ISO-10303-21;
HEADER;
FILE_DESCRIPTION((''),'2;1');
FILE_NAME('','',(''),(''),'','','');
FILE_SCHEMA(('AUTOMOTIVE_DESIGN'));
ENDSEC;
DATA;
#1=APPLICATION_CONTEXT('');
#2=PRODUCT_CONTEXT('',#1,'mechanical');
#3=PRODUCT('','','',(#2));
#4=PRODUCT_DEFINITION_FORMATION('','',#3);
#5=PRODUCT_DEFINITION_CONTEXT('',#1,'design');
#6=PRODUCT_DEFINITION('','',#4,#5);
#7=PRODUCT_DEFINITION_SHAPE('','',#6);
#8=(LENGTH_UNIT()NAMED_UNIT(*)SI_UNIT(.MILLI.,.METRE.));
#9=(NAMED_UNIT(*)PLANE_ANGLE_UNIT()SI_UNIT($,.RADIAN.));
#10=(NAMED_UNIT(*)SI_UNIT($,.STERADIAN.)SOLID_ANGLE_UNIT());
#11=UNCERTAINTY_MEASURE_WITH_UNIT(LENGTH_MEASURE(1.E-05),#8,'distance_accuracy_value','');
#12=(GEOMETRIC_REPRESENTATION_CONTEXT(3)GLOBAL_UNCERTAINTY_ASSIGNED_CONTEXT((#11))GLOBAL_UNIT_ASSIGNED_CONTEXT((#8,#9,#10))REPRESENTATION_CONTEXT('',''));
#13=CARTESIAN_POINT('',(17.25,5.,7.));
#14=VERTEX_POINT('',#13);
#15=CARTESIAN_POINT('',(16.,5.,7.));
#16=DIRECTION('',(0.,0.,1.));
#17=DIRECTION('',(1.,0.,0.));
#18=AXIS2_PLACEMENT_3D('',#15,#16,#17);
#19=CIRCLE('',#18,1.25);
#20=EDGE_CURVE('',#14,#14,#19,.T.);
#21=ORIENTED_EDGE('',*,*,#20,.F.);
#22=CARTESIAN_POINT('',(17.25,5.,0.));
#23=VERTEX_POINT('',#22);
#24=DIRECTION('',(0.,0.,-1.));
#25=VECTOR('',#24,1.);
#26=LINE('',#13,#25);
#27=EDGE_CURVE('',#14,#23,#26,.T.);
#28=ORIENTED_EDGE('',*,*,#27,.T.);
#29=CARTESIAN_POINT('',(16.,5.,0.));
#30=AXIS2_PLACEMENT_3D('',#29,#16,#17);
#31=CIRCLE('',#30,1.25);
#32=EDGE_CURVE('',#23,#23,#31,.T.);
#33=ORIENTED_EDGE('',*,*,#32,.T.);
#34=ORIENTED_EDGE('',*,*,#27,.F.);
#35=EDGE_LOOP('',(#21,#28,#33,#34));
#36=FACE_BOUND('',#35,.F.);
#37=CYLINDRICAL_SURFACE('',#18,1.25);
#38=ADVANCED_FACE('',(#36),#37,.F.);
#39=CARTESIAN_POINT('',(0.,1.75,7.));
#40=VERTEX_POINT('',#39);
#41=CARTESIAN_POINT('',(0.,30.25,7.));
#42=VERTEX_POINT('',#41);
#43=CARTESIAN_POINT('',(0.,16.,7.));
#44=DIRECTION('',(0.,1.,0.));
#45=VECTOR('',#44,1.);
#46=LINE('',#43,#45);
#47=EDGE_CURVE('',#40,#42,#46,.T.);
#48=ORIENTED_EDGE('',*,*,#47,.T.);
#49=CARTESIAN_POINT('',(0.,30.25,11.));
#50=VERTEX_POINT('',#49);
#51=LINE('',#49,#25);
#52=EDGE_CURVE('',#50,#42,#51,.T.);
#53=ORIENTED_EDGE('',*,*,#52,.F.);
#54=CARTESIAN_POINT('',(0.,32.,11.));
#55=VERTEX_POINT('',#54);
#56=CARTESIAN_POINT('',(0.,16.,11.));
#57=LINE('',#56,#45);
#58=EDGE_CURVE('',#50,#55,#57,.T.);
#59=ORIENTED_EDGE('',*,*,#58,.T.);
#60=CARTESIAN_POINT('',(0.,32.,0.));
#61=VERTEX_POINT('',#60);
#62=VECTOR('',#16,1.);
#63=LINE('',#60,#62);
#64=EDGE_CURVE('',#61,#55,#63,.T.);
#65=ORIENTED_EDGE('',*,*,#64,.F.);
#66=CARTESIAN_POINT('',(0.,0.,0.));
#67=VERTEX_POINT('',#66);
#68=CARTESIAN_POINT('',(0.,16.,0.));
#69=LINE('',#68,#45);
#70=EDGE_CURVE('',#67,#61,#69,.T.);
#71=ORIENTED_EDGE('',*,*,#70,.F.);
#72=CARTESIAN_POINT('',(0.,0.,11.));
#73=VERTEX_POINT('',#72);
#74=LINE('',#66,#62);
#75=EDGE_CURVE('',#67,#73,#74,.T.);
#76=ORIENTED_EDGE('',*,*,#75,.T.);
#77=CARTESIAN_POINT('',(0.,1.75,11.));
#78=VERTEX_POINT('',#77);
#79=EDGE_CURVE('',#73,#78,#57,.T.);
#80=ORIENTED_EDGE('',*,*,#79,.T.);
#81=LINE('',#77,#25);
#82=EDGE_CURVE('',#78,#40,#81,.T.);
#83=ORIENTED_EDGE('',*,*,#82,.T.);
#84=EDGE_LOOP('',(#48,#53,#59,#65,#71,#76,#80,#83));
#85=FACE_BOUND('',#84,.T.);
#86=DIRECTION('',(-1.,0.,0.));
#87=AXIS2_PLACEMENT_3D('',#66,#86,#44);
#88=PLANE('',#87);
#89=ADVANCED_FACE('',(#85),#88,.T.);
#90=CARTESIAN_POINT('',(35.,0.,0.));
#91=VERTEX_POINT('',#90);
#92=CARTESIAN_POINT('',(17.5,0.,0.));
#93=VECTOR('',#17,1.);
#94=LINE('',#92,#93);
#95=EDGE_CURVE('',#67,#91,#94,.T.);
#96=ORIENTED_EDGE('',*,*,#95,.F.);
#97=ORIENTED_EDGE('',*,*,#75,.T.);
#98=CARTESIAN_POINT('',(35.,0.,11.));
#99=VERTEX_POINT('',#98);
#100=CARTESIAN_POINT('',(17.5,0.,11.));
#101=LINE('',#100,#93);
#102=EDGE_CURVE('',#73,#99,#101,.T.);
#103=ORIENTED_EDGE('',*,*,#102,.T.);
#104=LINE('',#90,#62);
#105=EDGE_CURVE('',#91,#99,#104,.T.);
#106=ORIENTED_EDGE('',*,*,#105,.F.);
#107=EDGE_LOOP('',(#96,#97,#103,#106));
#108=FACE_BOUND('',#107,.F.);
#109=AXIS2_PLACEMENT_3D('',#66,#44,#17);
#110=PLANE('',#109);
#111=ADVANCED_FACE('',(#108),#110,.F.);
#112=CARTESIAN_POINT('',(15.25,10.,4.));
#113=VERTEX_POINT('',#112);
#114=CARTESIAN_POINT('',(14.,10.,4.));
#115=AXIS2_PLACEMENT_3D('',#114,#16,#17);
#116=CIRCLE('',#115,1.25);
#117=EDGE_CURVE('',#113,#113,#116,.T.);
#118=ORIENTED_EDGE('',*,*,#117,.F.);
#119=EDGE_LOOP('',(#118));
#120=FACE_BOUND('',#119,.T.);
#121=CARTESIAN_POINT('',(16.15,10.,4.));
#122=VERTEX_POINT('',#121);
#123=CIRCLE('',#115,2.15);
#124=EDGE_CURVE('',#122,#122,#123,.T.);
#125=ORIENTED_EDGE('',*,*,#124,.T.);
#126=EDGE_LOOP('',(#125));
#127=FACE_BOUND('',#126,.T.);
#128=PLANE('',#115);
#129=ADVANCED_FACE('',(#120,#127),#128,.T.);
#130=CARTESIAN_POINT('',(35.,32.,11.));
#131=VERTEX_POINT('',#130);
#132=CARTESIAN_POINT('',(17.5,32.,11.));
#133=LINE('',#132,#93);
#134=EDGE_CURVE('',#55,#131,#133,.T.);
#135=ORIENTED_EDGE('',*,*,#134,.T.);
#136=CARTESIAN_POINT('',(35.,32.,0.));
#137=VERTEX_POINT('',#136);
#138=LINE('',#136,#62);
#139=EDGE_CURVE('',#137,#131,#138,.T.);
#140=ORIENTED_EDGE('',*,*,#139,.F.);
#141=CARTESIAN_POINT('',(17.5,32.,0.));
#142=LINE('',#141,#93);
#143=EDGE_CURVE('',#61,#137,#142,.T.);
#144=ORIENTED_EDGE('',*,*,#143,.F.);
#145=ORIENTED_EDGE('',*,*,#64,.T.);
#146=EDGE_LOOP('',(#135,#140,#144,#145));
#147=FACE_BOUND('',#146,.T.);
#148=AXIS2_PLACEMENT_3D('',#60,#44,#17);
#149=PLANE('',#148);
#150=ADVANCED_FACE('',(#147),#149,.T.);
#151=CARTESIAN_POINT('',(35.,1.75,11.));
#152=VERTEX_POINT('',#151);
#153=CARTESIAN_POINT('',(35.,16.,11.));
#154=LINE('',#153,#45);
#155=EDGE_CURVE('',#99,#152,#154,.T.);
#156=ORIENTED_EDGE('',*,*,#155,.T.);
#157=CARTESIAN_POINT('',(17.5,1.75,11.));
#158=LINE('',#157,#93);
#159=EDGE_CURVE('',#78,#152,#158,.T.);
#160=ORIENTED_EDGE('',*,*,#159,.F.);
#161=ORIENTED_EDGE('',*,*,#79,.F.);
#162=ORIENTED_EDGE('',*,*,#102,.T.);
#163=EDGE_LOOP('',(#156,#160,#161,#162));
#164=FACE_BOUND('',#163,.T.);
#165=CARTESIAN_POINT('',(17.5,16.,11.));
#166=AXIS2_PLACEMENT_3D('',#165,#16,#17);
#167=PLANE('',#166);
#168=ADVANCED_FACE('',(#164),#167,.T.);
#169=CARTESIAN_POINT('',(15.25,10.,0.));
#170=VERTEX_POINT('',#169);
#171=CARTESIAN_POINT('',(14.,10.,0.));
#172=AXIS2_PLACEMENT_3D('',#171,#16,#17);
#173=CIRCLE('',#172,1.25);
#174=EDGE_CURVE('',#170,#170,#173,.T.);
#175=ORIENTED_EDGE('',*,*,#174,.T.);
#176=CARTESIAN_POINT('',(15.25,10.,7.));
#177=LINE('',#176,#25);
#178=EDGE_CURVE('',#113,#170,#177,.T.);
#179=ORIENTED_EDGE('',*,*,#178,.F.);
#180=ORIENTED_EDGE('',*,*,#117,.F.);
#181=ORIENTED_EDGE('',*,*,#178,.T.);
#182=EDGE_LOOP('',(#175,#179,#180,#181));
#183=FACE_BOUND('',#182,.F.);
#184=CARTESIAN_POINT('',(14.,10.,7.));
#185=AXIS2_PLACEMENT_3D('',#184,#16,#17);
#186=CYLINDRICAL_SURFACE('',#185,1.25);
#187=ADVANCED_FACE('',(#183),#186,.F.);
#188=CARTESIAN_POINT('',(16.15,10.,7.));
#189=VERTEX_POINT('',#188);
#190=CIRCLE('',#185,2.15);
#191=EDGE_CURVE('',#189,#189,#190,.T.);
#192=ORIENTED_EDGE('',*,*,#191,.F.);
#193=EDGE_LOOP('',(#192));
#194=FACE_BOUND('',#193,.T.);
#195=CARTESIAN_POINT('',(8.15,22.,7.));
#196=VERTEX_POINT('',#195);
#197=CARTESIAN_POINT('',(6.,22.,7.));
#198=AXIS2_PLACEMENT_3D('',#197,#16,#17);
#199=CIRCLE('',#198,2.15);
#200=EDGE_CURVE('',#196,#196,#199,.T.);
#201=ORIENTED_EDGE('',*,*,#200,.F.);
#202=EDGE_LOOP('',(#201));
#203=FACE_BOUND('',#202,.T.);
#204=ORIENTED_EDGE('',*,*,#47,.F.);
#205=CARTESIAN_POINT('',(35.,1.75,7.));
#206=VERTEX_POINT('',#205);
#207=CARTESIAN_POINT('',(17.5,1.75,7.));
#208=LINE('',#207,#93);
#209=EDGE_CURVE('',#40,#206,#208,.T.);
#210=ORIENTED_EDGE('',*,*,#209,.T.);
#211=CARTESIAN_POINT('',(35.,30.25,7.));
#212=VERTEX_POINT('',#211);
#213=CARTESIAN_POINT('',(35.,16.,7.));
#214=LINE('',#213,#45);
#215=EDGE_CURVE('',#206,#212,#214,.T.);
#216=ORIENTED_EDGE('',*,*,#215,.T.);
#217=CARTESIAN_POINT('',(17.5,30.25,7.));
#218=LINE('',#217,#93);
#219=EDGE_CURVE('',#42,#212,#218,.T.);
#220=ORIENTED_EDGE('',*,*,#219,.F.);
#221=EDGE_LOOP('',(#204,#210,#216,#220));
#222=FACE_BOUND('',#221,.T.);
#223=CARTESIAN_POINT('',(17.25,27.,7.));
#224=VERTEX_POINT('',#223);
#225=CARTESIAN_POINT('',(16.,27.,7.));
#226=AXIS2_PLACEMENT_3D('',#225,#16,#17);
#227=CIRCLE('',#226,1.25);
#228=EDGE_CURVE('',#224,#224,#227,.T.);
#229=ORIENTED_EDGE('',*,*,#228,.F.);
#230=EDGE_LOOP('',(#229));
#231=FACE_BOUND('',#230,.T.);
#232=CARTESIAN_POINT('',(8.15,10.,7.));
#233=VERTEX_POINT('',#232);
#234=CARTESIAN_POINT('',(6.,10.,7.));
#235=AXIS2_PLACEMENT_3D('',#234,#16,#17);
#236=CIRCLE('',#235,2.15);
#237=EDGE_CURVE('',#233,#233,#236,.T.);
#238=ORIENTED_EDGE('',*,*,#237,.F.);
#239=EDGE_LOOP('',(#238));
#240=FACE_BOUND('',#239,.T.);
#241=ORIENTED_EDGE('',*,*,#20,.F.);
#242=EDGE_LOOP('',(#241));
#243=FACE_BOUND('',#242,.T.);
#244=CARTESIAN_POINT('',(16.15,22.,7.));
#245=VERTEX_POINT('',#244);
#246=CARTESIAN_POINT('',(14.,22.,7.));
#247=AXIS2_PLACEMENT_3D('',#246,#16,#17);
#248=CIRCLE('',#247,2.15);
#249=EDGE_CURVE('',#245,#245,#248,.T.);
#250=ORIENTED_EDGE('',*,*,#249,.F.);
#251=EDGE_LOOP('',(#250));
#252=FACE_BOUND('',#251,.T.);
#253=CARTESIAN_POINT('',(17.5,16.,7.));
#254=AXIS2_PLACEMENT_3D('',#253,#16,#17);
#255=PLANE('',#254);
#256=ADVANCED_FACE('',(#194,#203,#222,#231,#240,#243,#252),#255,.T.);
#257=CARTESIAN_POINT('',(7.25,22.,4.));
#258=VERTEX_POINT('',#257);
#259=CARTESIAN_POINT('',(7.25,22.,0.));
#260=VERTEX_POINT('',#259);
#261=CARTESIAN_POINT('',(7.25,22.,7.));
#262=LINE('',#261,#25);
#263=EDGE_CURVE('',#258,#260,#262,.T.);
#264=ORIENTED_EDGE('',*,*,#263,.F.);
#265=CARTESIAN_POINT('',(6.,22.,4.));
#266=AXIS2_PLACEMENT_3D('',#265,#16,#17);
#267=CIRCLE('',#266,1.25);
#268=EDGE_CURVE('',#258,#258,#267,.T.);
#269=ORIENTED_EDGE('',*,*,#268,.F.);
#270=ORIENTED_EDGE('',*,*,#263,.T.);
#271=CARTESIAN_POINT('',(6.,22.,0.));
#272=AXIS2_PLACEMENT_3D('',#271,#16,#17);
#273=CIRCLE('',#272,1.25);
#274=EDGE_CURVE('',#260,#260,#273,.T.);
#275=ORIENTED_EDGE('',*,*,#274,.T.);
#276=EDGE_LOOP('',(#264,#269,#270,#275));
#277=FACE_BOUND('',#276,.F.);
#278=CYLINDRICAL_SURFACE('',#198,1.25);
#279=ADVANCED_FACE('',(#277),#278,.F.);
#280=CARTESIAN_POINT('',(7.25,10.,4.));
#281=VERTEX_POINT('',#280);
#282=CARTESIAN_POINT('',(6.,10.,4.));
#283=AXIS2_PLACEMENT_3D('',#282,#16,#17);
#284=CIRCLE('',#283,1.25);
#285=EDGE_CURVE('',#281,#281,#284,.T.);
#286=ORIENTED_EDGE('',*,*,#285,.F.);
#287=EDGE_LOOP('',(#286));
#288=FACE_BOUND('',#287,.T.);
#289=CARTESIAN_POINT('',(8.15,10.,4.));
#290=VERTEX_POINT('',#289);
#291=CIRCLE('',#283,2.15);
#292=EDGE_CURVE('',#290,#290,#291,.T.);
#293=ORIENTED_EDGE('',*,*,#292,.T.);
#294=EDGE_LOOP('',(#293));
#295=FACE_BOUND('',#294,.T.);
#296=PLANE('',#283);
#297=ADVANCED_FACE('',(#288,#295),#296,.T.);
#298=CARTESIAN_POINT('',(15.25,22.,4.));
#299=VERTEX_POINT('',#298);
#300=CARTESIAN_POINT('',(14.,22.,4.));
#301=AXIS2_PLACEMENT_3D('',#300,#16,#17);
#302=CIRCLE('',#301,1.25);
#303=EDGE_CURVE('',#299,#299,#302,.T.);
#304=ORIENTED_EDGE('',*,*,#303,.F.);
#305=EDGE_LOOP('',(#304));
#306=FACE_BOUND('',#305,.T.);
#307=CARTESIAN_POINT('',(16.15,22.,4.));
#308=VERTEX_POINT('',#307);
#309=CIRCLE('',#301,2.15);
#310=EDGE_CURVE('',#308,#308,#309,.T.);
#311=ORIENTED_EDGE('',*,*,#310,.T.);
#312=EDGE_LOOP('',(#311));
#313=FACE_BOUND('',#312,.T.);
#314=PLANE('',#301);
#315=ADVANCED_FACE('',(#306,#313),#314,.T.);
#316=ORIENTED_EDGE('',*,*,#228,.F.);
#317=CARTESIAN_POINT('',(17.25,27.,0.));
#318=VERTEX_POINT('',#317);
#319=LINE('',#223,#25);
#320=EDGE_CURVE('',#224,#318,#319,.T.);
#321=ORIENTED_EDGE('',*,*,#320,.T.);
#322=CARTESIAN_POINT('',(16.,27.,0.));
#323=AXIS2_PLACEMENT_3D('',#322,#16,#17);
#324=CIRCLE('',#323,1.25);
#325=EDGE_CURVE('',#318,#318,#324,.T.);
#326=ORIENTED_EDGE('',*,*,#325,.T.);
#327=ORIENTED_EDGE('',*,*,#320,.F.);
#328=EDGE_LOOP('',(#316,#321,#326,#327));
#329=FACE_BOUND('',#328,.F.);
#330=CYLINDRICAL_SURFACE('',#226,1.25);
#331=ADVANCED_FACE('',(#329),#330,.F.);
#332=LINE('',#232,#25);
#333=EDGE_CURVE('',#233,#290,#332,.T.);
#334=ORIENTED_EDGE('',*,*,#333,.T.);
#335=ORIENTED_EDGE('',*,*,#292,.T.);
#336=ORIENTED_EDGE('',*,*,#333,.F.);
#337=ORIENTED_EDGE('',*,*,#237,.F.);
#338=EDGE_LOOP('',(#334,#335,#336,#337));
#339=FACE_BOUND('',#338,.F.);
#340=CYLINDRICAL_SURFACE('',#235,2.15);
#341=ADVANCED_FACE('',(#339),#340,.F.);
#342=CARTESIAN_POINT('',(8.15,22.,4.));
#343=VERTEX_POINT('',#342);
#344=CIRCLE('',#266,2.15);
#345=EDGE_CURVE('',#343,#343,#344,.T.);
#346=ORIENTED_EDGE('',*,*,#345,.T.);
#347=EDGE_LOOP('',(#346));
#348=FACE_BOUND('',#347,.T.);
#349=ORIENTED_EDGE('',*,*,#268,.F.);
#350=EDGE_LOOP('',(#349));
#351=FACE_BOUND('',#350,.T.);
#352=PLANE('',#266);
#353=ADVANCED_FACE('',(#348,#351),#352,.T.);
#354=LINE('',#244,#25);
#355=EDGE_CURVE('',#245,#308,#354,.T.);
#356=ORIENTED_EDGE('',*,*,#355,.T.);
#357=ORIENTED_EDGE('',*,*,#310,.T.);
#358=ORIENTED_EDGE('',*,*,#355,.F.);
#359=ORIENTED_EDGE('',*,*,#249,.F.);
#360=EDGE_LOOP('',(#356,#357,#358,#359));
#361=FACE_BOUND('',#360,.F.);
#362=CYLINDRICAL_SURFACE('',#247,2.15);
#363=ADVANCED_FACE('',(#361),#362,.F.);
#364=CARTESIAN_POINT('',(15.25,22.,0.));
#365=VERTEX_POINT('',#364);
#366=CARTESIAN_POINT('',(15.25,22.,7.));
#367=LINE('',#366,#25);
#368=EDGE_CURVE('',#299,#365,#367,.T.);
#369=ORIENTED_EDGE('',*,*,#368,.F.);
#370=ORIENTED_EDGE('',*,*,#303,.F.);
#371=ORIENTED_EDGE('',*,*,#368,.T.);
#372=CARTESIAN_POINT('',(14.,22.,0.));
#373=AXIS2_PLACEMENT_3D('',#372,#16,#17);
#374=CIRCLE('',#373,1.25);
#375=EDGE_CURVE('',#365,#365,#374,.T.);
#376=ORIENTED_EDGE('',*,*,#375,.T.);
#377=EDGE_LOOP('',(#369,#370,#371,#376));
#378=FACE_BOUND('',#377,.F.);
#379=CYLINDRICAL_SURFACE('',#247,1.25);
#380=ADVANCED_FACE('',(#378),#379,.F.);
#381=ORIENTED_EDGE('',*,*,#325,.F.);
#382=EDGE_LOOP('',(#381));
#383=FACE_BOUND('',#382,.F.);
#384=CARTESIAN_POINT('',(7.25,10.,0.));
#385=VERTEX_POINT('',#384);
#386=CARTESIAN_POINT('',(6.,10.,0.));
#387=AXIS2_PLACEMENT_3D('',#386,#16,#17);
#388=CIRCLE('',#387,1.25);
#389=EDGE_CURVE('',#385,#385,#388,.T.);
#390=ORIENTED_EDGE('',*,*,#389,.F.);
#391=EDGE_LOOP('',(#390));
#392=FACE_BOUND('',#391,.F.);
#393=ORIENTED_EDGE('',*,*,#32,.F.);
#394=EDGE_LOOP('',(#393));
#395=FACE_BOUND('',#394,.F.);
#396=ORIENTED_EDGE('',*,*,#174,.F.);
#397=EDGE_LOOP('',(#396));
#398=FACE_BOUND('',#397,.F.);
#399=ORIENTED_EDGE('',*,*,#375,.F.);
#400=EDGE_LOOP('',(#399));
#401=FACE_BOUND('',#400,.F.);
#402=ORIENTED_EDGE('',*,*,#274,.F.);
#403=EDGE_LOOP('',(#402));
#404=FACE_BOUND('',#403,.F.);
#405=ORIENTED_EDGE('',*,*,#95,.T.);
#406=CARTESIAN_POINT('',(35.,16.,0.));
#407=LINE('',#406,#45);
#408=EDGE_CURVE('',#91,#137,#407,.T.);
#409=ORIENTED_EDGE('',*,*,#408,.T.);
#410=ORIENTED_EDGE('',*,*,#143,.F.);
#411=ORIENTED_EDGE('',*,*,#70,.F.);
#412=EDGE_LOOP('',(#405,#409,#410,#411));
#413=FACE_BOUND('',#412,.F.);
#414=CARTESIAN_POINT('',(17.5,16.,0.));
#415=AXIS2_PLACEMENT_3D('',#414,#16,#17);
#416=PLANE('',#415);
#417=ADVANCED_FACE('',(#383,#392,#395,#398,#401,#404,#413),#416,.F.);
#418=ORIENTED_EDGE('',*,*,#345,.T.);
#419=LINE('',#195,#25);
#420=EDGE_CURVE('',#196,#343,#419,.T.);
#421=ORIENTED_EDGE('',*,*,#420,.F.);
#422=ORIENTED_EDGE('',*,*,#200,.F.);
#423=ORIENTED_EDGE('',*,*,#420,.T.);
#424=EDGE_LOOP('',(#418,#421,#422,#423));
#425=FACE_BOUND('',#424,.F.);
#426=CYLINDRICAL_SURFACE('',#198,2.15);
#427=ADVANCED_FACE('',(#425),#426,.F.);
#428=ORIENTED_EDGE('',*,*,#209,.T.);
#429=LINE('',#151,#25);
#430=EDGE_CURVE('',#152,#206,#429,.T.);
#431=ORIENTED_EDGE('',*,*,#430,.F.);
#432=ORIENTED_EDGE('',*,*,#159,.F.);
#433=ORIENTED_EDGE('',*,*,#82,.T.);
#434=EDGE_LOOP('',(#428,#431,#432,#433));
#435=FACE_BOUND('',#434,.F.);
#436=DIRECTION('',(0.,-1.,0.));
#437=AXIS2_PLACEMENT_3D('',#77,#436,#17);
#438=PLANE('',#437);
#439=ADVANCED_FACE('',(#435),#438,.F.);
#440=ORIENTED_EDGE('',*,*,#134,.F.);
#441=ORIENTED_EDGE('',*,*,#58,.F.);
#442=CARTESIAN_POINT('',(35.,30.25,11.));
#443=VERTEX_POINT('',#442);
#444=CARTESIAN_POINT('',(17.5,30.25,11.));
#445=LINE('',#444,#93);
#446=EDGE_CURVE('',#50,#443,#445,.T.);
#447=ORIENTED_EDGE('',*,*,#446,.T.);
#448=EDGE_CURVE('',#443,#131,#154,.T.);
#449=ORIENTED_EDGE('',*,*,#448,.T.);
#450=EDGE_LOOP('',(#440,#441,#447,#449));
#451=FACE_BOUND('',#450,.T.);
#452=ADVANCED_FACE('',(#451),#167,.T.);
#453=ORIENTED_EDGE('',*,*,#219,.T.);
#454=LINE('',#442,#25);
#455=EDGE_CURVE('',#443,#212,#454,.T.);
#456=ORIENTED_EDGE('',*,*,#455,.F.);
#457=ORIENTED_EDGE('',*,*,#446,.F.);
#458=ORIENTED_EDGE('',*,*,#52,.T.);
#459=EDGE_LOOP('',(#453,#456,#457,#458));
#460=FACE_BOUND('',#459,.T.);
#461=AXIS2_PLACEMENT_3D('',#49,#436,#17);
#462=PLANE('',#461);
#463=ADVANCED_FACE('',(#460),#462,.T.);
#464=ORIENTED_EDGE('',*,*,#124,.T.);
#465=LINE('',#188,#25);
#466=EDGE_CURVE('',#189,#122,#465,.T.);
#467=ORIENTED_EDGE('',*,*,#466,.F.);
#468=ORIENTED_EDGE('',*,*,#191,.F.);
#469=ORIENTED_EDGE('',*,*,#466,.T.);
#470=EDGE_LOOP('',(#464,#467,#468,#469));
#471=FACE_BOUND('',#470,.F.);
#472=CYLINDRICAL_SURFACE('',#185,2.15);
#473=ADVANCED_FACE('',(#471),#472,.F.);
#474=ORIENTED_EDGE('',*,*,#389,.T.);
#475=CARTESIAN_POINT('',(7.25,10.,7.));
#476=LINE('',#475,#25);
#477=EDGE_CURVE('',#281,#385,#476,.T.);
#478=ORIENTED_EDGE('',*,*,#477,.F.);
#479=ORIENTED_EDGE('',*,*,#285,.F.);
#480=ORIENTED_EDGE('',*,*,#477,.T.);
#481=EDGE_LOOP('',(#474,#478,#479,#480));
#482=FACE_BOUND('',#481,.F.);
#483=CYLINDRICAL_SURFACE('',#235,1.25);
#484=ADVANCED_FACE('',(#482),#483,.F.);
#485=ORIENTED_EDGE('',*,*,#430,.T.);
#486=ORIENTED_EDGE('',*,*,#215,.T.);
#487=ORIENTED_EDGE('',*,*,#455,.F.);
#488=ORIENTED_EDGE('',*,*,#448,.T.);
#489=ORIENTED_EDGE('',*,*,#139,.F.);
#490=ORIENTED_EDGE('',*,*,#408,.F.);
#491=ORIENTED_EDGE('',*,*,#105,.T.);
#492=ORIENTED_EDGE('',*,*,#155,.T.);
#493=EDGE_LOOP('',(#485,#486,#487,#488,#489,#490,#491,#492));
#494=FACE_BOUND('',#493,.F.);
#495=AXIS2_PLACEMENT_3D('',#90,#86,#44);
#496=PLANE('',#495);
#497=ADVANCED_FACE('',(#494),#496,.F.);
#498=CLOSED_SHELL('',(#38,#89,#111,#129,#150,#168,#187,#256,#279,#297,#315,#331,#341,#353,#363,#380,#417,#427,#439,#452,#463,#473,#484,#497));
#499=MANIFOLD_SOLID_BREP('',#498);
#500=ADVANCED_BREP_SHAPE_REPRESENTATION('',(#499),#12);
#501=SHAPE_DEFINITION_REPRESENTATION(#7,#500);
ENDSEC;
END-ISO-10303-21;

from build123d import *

# Parameters (mm, degrees)
F0_W     = 35
F0_H     = 32
F1_DEPTH = 11
F2_W     = 35
F2_H     = 28.5
F3_DEPTH = 4
F4_R     = 1.25
F5_DEPTH = 25
F6_R     = 2.15
F7_DEPTH = 3


with BuildPart() as f1:
    # F0 (on Top) → F1 (new body)
    with BuildSketch(Plane.XY):
        with Locations((17.5, 16)):
            Rectangle(F0_W, F0_H)
    extrude(amount=F1_DEPTH)

    # F2 (on face) → F3 (cut)
    with BuildSketch(Plane.XY.offset(11)):
        with Locations((17.5, 16)):
            Rectangle(F2_W, F2_H)
    extrude(amount=-F3_DEPTH, mode=Mode.SUBTRACT)

    # F4 (on face) → F5 (cut)
    with BuildSketch(Plane.XY.offset(7)):
        with Locations((6, 22)):
            Circle(F4_R)
        with Locations((6, 10)):
            Circle(F4_R)
        with Locations((14, 22)):
            Circle(F4_R)
        with Locations((14, 10)):
            Circle(F4_R)
        with Locations((16, 27)):
            Circle(F4_R)
        with Locations((16, 5)):
            Circle(F4_R)
    extrude(amount=-F5_DEPTH, mode=Mode.SUBTRACT)

    # F6 (on face) → F7 (cut)
    with BuildSketch(Plane.XY.offset(7)):
        with Locations((6, 22)):
            Circle(F6_R)
        with Locations((14, 22)):
            Circle(F6_R)
        with Locations((14, 10)):
            Circle(F6_R)
        with Locations((6, 10)):
            Circle(F6_R)
    extrude(amount=-F7_DEPTH, mode=Mode.SUBTRACT)


solid = f1.part
